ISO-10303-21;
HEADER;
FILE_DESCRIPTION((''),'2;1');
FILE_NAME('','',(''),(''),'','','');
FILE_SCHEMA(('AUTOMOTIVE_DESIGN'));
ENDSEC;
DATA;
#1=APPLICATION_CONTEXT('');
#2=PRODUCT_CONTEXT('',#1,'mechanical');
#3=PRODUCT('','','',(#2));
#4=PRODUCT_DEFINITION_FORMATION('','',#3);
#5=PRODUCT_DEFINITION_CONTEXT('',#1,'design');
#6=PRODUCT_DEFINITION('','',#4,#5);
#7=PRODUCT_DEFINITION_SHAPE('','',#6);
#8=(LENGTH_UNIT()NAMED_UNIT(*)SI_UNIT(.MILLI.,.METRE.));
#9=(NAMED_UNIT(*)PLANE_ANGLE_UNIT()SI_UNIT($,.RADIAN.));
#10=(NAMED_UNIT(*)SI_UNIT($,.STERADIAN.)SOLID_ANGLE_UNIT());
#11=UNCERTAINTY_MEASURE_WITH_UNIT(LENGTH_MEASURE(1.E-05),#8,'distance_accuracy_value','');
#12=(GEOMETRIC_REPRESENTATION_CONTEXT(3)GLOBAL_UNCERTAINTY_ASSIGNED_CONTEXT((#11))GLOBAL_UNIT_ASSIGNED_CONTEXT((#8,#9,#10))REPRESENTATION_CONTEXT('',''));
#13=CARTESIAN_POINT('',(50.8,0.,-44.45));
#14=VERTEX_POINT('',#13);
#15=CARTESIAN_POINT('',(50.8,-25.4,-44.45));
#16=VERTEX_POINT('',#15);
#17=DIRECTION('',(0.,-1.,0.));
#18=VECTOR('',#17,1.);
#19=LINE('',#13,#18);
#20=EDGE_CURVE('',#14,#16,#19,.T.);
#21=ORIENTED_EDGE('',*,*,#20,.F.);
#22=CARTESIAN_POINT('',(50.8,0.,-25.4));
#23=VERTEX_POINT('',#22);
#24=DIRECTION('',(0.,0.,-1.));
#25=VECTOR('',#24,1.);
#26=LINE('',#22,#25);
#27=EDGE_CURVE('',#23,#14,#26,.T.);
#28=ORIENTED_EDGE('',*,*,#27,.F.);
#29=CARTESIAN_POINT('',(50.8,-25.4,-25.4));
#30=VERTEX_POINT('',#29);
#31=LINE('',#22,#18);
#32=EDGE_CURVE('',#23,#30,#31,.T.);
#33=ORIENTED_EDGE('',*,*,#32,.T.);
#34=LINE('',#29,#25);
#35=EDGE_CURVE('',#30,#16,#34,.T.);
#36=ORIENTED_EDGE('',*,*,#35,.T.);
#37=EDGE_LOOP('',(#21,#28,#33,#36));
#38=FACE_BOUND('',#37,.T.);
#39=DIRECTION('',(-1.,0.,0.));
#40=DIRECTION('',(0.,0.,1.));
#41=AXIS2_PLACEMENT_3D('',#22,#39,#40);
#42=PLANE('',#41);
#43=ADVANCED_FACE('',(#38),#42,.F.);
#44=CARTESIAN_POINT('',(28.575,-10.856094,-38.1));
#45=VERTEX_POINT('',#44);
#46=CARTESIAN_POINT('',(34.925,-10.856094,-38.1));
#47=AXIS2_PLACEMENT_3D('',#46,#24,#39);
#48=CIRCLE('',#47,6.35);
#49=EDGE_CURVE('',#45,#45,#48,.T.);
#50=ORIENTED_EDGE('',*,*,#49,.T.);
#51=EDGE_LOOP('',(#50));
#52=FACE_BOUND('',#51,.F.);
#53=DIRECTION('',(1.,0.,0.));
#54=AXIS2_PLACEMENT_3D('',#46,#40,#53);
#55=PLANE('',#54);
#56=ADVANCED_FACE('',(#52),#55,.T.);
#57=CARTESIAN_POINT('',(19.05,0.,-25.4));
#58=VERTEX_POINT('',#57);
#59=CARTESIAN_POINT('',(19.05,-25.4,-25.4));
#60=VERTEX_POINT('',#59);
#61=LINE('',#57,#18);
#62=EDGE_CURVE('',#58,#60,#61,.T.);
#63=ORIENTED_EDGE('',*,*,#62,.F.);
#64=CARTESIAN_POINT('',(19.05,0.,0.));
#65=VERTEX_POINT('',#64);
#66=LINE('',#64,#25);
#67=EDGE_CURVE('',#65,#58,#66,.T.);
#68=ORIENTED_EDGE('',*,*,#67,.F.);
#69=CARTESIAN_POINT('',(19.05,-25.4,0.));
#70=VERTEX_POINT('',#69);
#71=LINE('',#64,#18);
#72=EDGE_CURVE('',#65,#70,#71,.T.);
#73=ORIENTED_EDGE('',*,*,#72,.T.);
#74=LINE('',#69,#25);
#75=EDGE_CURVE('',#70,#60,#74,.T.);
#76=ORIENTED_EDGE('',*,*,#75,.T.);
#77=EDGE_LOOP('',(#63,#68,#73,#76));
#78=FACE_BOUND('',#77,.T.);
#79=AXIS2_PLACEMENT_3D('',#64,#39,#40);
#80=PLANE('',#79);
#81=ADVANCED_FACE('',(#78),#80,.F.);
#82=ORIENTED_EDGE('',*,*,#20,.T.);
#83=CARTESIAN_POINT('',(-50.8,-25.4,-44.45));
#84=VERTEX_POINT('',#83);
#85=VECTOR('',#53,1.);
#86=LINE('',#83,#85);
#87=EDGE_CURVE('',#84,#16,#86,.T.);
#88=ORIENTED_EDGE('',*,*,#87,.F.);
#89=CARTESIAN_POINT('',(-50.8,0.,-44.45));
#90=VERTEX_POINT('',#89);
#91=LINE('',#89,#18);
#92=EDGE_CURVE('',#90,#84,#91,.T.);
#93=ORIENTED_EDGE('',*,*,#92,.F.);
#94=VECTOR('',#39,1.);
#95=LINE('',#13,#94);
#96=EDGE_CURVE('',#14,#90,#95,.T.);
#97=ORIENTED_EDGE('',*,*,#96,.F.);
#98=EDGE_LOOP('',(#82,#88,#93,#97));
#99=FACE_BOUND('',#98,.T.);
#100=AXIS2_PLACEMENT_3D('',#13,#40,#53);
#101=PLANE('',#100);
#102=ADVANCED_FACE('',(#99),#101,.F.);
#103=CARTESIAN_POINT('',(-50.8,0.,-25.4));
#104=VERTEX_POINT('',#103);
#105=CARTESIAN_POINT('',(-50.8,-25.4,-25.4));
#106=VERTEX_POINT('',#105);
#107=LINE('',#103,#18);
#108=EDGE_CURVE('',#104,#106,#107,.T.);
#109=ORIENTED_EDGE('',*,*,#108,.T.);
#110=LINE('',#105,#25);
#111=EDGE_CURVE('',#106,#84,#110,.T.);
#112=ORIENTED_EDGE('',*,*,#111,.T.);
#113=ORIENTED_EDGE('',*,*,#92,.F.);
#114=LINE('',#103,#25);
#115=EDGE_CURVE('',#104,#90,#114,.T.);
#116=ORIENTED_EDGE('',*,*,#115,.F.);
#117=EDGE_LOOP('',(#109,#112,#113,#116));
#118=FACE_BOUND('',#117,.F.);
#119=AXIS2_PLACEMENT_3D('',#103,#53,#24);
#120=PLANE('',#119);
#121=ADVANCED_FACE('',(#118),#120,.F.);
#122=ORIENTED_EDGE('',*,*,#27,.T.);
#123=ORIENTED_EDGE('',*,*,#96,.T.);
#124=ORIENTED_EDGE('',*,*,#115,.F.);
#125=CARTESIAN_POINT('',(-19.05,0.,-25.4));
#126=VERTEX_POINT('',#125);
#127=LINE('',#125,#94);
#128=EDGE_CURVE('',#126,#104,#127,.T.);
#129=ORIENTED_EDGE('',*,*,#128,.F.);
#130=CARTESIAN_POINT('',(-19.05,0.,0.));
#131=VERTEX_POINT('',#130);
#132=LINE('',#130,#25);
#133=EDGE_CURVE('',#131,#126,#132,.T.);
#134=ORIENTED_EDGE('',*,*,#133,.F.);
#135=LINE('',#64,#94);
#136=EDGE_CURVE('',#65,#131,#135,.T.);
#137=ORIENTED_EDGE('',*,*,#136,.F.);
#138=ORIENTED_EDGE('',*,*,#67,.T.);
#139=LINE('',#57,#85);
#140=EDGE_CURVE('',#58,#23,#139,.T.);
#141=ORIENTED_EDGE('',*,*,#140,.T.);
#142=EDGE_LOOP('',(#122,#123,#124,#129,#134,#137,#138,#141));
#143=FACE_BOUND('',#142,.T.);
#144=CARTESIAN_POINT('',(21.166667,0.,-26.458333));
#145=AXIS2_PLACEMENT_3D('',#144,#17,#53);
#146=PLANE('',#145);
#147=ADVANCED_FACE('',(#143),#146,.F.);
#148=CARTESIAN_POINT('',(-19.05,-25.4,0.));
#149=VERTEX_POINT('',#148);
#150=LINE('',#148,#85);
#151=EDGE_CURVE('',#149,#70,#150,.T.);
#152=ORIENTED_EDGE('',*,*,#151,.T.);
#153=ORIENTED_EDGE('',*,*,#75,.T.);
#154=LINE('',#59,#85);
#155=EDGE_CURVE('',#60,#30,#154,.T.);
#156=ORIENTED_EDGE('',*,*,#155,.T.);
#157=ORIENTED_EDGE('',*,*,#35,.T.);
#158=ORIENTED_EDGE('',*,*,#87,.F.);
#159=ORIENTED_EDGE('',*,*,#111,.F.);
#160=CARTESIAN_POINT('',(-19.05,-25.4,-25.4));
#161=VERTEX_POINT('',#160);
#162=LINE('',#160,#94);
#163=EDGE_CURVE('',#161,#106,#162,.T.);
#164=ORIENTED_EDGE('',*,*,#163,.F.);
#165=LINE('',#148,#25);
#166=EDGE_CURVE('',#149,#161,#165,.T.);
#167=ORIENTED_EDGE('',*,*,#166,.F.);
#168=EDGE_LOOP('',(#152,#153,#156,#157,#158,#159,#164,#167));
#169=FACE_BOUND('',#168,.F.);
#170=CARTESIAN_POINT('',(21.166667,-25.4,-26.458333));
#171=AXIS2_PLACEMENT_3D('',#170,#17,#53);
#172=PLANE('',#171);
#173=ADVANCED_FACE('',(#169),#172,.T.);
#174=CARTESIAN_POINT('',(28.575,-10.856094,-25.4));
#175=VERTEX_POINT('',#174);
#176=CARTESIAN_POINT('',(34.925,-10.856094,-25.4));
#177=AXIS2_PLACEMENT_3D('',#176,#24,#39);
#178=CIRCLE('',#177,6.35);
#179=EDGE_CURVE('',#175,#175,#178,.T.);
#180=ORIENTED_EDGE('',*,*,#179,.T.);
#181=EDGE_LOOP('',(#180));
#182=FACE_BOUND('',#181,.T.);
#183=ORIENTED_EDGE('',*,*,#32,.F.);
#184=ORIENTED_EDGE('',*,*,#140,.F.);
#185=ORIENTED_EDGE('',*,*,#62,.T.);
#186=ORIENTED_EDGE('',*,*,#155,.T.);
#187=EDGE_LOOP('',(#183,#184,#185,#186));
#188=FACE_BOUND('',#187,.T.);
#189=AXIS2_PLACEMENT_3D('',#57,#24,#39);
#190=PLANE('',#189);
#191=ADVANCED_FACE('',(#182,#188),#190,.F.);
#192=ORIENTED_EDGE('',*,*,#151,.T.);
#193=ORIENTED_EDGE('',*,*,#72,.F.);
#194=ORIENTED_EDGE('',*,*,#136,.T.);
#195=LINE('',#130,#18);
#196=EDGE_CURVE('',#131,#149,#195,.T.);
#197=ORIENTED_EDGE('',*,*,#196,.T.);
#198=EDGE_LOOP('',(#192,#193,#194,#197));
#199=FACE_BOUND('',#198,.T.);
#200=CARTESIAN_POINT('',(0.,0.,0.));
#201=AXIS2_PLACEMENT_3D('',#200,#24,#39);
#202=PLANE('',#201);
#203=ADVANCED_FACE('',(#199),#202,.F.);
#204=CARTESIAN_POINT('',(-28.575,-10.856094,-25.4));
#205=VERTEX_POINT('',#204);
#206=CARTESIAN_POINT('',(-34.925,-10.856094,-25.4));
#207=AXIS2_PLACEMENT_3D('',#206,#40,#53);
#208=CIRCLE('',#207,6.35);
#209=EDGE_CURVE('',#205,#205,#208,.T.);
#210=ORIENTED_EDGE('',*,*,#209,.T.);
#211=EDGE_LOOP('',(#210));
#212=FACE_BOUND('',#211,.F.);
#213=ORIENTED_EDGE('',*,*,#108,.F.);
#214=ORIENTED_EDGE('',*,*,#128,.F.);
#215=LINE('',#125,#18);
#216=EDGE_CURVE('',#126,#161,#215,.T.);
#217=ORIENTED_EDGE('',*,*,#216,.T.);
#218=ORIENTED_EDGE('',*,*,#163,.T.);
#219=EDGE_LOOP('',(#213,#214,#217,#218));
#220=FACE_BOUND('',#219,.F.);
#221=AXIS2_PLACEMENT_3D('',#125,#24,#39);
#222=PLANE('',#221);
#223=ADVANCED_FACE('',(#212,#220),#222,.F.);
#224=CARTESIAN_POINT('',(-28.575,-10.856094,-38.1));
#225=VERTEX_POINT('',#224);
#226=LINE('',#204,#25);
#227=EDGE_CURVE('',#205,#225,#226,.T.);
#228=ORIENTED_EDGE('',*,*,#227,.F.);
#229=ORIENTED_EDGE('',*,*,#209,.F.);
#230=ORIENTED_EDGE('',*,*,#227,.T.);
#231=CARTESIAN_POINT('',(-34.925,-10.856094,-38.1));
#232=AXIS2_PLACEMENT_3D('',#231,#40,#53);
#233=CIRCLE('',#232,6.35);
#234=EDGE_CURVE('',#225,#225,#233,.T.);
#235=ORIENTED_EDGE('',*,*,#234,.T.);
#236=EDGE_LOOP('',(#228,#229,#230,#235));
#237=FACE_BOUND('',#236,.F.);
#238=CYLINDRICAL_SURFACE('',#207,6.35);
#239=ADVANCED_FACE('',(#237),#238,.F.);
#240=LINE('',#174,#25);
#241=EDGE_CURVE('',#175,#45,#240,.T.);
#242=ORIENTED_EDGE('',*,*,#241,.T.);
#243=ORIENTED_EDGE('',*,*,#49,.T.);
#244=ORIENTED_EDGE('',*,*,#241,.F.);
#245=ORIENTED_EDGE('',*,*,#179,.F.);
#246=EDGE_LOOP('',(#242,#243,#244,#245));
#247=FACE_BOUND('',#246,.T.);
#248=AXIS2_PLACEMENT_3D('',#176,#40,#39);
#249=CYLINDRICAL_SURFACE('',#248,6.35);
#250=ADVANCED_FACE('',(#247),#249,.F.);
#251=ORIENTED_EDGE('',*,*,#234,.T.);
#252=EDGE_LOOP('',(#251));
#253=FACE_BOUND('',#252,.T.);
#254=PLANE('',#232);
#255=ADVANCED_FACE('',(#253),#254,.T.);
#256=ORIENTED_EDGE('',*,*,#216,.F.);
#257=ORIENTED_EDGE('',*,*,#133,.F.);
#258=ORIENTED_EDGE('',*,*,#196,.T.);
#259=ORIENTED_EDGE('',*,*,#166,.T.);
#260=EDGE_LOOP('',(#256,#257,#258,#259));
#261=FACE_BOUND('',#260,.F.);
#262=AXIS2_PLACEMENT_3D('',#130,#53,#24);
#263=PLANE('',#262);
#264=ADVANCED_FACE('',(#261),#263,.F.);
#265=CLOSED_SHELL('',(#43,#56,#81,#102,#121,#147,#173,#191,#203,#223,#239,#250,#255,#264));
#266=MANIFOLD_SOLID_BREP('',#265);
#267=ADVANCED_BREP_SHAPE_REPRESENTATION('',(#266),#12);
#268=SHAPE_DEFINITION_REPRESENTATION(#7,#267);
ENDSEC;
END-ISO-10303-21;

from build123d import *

# Parameters (mm, degrees)
F1_DEPTH = 25.4
F2_R     = 6.35
F3_DEPTH = 12.7


with BuildPart() as f1:
    # F0 (on Front) → F1 (new body)
    with BuildSketch(Plane.XZ):
        Polygon((0, 0), (-19.05, 0), (-19.05, -25.4), (-50.8, -25.4), (-50.8, -44.45), (0, -44.45), align=None)
    extrude(amount=F1_DEPTH)

    # F2 (on face) → F3 (cut)
    with BuildSketch(Plane.XY.offset(-25.4)):
        with Locations((-34.925, -10.856094)):
            Circle(F2_R)
    extrude(amount=-F3_DEPTH, mode=Mode.SUBTRACT)

    # F4: F1 across plane


with BuildPart() as f1_1:
    add(f1.part)
    add(f1.part.mirror(Plane.YZ))


solid = f1_1.part
